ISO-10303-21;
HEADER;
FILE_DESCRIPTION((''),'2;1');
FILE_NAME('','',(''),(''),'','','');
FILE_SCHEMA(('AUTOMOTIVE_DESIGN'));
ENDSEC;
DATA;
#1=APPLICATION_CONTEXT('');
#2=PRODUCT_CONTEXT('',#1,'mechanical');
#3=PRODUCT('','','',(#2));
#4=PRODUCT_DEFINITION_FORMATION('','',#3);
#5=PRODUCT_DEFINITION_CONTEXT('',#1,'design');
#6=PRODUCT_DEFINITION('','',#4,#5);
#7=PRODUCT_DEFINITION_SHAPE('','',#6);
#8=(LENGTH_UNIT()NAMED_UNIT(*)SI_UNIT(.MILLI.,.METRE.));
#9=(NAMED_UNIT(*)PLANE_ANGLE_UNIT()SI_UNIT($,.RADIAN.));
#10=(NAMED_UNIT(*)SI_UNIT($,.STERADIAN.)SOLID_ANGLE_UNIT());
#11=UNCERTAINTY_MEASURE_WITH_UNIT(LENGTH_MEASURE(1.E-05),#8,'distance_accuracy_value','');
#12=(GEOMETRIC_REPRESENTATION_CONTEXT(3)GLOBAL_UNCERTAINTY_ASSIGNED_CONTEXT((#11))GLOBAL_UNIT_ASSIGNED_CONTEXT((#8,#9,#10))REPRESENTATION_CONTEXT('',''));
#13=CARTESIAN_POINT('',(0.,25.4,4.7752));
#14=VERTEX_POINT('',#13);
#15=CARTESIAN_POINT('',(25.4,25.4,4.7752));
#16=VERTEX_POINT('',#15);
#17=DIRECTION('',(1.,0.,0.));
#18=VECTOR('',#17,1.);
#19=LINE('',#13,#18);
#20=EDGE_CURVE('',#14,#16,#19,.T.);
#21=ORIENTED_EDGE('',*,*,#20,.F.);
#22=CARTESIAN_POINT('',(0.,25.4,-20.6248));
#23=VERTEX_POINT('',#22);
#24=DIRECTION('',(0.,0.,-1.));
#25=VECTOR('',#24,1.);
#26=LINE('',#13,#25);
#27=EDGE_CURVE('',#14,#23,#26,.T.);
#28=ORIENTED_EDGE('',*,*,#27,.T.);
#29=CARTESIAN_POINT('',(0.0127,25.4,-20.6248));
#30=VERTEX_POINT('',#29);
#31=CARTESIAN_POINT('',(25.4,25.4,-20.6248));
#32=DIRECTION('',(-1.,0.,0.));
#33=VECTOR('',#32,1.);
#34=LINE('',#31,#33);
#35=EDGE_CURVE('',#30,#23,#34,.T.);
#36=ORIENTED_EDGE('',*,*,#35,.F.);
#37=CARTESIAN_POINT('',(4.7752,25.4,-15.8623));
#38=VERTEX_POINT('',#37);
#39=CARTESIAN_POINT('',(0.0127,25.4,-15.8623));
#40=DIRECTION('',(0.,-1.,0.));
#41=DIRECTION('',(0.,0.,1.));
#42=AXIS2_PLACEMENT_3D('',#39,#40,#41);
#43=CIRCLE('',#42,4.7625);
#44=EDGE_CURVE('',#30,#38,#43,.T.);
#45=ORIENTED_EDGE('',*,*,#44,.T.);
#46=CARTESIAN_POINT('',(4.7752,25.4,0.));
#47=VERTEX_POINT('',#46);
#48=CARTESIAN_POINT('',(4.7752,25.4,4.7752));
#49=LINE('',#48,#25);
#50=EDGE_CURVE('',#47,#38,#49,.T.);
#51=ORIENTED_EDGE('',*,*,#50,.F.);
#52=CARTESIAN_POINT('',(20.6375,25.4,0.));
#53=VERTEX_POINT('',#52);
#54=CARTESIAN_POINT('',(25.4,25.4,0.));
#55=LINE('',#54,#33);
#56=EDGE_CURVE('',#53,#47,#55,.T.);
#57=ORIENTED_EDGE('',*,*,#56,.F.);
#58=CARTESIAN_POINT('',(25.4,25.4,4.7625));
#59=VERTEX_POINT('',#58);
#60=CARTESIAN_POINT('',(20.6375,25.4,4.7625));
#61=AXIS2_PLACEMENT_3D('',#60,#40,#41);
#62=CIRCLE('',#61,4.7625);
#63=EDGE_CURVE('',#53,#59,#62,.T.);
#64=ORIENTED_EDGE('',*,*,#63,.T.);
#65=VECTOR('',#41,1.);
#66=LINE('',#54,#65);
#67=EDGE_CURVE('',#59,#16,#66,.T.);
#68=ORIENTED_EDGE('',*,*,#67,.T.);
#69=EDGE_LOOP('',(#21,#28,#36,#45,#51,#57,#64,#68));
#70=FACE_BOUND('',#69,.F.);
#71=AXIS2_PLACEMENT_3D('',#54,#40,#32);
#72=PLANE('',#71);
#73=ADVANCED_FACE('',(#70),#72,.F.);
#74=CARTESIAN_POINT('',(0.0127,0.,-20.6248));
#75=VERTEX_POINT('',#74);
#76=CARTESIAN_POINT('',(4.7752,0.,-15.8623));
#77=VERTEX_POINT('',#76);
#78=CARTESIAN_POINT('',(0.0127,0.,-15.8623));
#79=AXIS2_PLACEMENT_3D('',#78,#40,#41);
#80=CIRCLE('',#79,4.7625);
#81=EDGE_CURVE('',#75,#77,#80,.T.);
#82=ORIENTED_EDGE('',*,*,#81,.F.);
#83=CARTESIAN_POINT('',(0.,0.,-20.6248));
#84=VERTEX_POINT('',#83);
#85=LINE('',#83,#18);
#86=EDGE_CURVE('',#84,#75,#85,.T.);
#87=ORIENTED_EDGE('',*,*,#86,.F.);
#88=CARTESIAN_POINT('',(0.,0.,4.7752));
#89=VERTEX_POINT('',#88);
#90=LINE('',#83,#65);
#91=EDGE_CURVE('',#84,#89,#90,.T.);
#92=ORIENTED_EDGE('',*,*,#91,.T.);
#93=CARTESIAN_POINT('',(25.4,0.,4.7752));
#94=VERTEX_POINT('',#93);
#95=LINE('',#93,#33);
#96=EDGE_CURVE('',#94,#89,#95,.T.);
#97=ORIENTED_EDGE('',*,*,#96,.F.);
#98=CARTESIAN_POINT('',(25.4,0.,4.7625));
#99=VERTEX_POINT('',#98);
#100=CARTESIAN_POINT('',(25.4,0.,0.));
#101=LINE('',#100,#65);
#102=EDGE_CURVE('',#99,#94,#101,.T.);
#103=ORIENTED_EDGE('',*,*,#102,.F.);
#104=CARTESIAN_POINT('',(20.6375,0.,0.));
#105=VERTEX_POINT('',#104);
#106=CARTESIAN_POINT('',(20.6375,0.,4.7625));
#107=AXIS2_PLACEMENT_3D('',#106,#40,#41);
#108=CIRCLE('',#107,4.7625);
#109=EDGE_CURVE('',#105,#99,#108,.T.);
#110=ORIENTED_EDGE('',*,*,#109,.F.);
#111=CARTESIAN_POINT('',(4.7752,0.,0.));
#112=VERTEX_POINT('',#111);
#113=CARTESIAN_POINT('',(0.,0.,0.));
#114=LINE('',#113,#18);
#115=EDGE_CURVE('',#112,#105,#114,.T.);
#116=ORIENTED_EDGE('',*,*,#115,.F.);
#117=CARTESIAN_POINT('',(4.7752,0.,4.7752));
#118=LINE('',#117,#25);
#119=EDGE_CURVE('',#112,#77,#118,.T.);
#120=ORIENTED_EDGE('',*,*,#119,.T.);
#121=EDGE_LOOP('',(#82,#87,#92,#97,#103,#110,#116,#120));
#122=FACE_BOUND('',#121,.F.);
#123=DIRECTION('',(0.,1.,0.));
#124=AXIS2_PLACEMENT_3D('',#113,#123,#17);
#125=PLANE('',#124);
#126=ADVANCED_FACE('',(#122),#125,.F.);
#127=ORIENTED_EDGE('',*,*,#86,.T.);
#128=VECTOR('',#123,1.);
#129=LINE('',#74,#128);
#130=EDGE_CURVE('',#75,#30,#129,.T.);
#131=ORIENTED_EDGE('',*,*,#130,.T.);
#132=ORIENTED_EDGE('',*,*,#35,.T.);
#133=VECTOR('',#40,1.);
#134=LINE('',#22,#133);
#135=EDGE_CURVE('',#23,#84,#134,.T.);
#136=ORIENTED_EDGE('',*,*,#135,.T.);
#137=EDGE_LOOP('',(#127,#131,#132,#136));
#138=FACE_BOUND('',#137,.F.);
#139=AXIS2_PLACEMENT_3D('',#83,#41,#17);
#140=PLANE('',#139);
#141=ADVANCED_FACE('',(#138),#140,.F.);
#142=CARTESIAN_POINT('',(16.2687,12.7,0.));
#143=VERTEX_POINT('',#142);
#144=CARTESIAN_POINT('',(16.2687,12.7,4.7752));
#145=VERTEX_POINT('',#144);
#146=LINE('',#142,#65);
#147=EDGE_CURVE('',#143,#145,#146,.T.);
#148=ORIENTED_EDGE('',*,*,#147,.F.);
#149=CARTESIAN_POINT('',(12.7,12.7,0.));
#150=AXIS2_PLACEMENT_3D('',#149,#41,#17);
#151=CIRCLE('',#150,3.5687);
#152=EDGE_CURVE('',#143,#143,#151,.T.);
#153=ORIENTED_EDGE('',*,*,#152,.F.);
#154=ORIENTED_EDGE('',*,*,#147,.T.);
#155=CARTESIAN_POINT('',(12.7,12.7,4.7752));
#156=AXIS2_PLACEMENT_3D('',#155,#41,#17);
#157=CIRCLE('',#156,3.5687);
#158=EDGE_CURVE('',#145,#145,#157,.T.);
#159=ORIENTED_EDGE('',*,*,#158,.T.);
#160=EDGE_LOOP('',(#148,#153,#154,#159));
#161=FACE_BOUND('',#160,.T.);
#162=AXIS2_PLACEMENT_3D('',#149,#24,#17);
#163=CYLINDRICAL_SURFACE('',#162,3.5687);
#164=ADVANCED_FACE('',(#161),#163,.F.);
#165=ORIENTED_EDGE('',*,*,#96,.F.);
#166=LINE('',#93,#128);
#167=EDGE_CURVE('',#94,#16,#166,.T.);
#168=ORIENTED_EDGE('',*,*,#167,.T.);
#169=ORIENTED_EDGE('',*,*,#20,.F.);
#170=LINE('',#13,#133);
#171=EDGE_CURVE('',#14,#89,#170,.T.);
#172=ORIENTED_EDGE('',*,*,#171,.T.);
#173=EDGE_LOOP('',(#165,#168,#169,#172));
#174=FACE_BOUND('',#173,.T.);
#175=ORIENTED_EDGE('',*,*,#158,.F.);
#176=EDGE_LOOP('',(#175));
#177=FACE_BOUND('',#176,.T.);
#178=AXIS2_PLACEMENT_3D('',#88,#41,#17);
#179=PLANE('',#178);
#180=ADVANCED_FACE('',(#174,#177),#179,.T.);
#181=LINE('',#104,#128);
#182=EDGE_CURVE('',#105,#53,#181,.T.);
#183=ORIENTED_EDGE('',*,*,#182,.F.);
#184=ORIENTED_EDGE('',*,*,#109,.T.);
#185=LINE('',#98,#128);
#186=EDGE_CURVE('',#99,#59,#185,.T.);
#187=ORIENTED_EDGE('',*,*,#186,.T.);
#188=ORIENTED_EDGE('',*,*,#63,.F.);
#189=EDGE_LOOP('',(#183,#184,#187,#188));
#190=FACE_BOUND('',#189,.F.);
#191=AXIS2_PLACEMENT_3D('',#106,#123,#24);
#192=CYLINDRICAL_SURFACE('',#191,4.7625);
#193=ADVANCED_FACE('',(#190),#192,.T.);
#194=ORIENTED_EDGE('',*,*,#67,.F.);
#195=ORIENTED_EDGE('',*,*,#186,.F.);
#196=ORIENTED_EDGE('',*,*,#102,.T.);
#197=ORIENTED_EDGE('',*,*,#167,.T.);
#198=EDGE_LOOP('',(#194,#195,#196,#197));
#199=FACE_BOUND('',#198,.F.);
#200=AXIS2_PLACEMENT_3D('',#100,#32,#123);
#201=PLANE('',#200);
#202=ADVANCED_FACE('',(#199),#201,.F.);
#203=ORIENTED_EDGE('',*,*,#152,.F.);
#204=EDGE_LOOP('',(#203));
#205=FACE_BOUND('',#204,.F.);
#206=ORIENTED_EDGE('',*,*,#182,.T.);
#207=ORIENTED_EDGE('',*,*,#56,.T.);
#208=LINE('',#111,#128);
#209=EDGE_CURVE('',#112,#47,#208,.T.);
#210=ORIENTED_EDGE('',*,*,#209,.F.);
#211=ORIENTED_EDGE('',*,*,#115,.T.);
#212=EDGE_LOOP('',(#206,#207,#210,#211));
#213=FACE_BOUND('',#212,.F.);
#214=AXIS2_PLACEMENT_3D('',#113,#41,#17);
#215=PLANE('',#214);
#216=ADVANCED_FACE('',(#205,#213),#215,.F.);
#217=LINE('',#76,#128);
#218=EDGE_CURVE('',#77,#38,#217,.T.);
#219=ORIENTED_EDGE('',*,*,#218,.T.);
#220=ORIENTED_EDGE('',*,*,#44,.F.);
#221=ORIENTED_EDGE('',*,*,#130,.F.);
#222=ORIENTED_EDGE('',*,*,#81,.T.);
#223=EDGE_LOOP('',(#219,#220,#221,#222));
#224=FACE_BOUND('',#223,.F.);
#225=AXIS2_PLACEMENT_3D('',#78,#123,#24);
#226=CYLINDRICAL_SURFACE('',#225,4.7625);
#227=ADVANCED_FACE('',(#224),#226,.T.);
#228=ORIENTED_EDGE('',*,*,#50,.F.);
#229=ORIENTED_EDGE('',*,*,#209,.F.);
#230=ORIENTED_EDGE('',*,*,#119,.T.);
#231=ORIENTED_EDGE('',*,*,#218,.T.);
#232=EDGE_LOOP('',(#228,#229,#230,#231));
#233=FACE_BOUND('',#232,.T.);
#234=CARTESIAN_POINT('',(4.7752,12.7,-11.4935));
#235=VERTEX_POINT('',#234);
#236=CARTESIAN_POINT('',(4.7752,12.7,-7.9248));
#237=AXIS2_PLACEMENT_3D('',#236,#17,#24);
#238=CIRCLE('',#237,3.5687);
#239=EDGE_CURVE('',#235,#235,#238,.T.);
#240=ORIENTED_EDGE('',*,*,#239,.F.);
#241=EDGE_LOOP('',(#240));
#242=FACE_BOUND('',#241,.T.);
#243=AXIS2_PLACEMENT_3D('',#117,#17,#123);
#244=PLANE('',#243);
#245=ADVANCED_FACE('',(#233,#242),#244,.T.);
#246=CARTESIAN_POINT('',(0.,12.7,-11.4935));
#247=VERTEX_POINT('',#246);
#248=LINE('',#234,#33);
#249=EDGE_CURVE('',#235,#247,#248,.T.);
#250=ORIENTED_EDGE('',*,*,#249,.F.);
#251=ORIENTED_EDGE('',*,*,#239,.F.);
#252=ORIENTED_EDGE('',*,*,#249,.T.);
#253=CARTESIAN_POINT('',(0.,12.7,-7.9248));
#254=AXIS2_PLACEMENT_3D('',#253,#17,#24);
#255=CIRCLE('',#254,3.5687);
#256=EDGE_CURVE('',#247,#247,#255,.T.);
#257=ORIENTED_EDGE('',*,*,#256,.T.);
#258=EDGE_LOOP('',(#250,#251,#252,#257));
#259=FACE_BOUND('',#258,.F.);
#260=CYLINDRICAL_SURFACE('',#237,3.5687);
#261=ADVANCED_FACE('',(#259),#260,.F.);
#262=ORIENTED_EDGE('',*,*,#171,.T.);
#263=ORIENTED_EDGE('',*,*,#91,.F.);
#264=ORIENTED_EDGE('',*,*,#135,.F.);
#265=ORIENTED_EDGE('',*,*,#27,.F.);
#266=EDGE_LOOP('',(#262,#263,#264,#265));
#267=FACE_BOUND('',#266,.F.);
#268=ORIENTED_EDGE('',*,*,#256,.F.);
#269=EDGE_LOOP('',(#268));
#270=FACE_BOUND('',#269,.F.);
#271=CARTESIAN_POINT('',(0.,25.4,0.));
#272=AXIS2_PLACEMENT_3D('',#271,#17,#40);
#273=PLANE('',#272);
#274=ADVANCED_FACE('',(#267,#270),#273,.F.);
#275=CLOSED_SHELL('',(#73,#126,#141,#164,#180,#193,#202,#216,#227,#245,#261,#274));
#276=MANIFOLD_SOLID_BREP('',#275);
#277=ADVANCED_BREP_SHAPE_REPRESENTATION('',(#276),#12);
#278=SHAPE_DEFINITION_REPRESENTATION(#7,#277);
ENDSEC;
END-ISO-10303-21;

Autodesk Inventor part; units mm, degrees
ref_plane "YZ Plane" through (0, 0, 0) normal (1, 0, 0) x (0, 1, 0)
ref_plane "XZ Plane" through (0, 0, 0) normal (0, 1, 0) x (-1, 0, 0)
ref_plane "XY Plane" through (0, 0, 0) normal (0, 0, 1) x (1, 0, 0)
sketch "Sketch1" plane through (0, 0, 0) normal (0, 0, 1) x (1, 0, 0)
  line L0 (0, 0) -> (25.4, 0)
  line L1 (25.4, 0) -> (25.4, 25.4)
  line L2 (25.4, 25.4) -> (0, 25.4)
  line L3 (0, 25.4) -> (0, 0)
  circle A0 centre (12.7, 12.7) radius 3.5687
  dimension "d0" = 25.4
  dimension "d1" = 25.4
  dimension "d2" = 7.1374
extrude "Extrusion1" add sketch "Sketch1" along normal blind 4.7752
sketch "Sketch2" plane through (0, 0, 4.7752) normal (0, 0, 1) x (1, 0, 0)
  line L0 (25.4, 25.4) -> (0, 25.4) projected
  line L1 (0, 0) -> (4.7752, 0)
  line L2 (4.7752, 0) -> (4.7752, 25.4)
  line L3 (4.7752, 25.4) -> (0, 25.4)
  line L4 (0, 25.4) -> (0, 0)
  dimension "d5" = 4.7752
extrude "Extrusion2" add sketch "Sketch2" against normal blind 25.4
sketch "Sketch3" plane through (4.7752, 0, 0) normal (1, 0, 0) x (0, 0, -1)
  line L0 (20.6248, 25.4) -> (20.6248, 0) projected
  circle A0 centre (7.9248, 12.7) radius 3.5687
  point P0 (0, 0)
  dimension "d9" = 7.1374
extrude "Extrusion3" cut sketch "Sketch3" against normal up to next
fillet "Fillet1" radius 4.7625 1 edges at (4.7752, 12.7, -20.6248)
fillet "Fillet2" radius 4.7625 1 edges at (25.4, 12.7, 0)
properties part number "8020_CornerBracket"
